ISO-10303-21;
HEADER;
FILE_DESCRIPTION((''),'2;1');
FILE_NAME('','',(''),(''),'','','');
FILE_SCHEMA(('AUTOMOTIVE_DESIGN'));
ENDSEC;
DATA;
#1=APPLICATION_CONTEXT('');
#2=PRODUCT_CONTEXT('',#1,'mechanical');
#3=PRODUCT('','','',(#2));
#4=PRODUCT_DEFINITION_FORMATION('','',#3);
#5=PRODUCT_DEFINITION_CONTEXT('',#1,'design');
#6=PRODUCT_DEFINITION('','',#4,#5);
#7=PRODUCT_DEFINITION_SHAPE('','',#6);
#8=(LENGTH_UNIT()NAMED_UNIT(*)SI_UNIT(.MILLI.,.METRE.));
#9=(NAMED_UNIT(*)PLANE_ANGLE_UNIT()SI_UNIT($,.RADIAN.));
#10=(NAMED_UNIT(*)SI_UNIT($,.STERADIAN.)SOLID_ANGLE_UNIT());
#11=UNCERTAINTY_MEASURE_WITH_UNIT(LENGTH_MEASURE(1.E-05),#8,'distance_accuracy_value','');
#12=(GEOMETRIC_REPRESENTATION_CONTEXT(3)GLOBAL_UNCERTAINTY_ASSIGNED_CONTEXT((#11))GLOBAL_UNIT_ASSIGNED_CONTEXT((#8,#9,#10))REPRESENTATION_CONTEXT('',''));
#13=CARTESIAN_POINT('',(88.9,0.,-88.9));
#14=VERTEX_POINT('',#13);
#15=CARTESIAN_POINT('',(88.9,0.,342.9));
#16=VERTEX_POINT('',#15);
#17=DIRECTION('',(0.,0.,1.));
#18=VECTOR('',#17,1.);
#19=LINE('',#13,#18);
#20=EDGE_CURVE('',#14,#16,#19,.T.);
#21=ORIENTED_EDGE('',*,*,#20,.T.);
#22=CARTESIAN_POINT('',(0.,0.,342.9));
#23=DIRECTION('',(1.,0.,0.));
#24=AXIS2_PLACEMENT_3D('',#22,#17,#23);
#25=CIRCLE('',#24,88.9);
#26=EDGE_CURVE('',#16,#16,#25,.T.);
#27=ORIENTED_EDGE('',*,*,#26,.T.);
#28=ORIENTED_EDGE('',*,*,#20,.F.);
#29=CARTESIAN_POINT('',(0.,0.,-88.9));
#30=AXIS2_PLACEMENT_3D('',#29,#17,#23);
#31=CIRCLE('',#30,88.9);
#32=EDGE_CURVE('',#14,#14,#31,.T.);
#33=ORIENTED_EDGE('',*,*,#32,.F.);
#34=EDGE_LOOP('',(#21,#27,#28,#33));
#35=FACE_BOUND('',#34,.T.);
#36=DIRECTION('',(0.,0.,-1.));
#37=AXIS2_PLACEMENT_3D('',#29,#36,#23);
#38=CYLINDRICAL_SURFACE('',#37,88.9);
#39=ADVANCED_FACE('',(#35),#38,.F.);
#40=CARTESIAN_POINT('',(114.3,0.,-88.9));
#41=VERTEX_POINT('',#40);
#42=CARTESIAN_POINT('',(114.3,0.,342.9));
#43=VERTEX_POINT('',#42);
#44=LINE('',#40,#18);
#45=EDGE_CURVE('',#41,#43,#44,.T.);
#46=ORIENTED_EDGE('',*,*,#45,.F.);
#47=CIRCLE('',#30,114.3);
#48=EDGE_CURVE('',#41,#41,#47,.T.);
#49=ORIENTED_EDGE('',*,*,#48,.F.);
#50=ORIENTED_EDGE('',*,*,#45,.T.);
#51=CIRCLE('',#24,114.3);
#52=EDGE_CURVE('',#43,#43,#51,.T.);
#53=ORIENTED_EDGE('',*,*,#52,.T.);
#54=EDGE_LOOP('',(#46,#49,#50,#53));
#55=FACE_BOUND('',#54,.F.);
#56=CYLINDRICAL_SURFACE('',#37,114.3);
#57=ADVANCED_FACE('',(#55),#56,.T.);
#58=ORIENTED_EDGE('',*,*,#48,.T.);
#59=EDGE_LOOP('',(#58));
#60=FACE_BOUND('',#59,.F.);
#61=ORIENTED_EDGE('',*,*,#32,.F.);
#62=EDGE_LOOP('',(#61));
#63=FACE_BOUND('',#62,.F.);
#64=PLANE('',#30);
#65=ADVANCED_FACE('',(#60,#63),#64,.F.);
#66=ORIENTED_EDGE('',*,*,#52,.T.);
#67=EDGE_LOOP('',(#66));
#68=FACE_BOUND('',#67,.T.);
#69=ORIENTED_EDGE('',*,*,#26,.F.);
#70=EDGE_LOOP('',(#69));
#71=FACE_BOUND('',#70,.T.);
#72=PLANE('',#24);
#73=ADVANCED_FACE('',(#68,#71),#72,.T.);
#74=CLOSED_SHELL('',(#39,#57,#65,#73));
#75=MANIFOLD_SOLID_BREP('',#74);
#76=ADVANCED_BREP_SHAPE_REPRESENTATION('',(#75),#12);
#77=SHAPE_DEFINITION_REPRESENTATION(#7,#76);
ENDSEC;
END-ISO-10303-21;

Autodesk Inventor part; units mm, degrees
ref_plane "YZ Plane" through (0, 0, 0) normal (1, 0, 0) x (0, 1, 0)
ref_plane "Start Plane" through (0, 0, -88.9) normal (0, 0, 1) x (1, 0, 0)
sketch "Base Sketch" plane through (0, 0, -88.9) normal (0, 0, 1) x (1, 0, 0)
  circle A0 centre (0, 0) radius 88.9
  circle A1 centre (0, 0) radius 114.3
  dimension "d0" = 177.8
  dimension "d1" = 228.6
extrude "Cam body" add sketch "Base Sketch" along normal blind 431.8
sketch3d "Path Sketch"
ref_plane "Profile Plane" through (0, 101.6, 0) normal (1, 0.0004, -0.0001) x (-0.0004, 1, 0)
sketch "Profile Sketch" plane through (0, 101.6, 0) normal (1, 0.0004, -0.0001) x (-0.0004, 1, 0)
  line L0 (17.78, -38.1) -> (-17.78, -38.1)
  point P0 (0, 0)
  dimension "d2" = 35.56
  dimension "d3" = 38.1
  dimension "d14" = 17.78
feature "End Surface" [suppressed]
feature "Split Body" [suppressed]
equation "\"d0\" = 2 * da_r0 - da_bv"
equation "\"d1\" = 2 * da_r0 + da_bv"
equation "\"d6\" = da_maxh - d9 + da_rk"
equation "\"d2\" = da_bv + 0.1 * da_r0"
equation "\"d3\" = da_rk"
equation "\"d14\" = 0.5 * da_bv + 0.05 * da_r0"
equation "\"da_bv\" = 25.4"
equation "\"da_r0\" = 101.6"
equation "\"da_rk\" = 38.1"
equation "\"da_maxh\" = 304.8"
equation "\"da_minh\" = 0"
equation "\"d9\" = -da_rk + da_minh - 0.5 * da_r0"
properties part number "Cylindrical Cam" material "Steel"
